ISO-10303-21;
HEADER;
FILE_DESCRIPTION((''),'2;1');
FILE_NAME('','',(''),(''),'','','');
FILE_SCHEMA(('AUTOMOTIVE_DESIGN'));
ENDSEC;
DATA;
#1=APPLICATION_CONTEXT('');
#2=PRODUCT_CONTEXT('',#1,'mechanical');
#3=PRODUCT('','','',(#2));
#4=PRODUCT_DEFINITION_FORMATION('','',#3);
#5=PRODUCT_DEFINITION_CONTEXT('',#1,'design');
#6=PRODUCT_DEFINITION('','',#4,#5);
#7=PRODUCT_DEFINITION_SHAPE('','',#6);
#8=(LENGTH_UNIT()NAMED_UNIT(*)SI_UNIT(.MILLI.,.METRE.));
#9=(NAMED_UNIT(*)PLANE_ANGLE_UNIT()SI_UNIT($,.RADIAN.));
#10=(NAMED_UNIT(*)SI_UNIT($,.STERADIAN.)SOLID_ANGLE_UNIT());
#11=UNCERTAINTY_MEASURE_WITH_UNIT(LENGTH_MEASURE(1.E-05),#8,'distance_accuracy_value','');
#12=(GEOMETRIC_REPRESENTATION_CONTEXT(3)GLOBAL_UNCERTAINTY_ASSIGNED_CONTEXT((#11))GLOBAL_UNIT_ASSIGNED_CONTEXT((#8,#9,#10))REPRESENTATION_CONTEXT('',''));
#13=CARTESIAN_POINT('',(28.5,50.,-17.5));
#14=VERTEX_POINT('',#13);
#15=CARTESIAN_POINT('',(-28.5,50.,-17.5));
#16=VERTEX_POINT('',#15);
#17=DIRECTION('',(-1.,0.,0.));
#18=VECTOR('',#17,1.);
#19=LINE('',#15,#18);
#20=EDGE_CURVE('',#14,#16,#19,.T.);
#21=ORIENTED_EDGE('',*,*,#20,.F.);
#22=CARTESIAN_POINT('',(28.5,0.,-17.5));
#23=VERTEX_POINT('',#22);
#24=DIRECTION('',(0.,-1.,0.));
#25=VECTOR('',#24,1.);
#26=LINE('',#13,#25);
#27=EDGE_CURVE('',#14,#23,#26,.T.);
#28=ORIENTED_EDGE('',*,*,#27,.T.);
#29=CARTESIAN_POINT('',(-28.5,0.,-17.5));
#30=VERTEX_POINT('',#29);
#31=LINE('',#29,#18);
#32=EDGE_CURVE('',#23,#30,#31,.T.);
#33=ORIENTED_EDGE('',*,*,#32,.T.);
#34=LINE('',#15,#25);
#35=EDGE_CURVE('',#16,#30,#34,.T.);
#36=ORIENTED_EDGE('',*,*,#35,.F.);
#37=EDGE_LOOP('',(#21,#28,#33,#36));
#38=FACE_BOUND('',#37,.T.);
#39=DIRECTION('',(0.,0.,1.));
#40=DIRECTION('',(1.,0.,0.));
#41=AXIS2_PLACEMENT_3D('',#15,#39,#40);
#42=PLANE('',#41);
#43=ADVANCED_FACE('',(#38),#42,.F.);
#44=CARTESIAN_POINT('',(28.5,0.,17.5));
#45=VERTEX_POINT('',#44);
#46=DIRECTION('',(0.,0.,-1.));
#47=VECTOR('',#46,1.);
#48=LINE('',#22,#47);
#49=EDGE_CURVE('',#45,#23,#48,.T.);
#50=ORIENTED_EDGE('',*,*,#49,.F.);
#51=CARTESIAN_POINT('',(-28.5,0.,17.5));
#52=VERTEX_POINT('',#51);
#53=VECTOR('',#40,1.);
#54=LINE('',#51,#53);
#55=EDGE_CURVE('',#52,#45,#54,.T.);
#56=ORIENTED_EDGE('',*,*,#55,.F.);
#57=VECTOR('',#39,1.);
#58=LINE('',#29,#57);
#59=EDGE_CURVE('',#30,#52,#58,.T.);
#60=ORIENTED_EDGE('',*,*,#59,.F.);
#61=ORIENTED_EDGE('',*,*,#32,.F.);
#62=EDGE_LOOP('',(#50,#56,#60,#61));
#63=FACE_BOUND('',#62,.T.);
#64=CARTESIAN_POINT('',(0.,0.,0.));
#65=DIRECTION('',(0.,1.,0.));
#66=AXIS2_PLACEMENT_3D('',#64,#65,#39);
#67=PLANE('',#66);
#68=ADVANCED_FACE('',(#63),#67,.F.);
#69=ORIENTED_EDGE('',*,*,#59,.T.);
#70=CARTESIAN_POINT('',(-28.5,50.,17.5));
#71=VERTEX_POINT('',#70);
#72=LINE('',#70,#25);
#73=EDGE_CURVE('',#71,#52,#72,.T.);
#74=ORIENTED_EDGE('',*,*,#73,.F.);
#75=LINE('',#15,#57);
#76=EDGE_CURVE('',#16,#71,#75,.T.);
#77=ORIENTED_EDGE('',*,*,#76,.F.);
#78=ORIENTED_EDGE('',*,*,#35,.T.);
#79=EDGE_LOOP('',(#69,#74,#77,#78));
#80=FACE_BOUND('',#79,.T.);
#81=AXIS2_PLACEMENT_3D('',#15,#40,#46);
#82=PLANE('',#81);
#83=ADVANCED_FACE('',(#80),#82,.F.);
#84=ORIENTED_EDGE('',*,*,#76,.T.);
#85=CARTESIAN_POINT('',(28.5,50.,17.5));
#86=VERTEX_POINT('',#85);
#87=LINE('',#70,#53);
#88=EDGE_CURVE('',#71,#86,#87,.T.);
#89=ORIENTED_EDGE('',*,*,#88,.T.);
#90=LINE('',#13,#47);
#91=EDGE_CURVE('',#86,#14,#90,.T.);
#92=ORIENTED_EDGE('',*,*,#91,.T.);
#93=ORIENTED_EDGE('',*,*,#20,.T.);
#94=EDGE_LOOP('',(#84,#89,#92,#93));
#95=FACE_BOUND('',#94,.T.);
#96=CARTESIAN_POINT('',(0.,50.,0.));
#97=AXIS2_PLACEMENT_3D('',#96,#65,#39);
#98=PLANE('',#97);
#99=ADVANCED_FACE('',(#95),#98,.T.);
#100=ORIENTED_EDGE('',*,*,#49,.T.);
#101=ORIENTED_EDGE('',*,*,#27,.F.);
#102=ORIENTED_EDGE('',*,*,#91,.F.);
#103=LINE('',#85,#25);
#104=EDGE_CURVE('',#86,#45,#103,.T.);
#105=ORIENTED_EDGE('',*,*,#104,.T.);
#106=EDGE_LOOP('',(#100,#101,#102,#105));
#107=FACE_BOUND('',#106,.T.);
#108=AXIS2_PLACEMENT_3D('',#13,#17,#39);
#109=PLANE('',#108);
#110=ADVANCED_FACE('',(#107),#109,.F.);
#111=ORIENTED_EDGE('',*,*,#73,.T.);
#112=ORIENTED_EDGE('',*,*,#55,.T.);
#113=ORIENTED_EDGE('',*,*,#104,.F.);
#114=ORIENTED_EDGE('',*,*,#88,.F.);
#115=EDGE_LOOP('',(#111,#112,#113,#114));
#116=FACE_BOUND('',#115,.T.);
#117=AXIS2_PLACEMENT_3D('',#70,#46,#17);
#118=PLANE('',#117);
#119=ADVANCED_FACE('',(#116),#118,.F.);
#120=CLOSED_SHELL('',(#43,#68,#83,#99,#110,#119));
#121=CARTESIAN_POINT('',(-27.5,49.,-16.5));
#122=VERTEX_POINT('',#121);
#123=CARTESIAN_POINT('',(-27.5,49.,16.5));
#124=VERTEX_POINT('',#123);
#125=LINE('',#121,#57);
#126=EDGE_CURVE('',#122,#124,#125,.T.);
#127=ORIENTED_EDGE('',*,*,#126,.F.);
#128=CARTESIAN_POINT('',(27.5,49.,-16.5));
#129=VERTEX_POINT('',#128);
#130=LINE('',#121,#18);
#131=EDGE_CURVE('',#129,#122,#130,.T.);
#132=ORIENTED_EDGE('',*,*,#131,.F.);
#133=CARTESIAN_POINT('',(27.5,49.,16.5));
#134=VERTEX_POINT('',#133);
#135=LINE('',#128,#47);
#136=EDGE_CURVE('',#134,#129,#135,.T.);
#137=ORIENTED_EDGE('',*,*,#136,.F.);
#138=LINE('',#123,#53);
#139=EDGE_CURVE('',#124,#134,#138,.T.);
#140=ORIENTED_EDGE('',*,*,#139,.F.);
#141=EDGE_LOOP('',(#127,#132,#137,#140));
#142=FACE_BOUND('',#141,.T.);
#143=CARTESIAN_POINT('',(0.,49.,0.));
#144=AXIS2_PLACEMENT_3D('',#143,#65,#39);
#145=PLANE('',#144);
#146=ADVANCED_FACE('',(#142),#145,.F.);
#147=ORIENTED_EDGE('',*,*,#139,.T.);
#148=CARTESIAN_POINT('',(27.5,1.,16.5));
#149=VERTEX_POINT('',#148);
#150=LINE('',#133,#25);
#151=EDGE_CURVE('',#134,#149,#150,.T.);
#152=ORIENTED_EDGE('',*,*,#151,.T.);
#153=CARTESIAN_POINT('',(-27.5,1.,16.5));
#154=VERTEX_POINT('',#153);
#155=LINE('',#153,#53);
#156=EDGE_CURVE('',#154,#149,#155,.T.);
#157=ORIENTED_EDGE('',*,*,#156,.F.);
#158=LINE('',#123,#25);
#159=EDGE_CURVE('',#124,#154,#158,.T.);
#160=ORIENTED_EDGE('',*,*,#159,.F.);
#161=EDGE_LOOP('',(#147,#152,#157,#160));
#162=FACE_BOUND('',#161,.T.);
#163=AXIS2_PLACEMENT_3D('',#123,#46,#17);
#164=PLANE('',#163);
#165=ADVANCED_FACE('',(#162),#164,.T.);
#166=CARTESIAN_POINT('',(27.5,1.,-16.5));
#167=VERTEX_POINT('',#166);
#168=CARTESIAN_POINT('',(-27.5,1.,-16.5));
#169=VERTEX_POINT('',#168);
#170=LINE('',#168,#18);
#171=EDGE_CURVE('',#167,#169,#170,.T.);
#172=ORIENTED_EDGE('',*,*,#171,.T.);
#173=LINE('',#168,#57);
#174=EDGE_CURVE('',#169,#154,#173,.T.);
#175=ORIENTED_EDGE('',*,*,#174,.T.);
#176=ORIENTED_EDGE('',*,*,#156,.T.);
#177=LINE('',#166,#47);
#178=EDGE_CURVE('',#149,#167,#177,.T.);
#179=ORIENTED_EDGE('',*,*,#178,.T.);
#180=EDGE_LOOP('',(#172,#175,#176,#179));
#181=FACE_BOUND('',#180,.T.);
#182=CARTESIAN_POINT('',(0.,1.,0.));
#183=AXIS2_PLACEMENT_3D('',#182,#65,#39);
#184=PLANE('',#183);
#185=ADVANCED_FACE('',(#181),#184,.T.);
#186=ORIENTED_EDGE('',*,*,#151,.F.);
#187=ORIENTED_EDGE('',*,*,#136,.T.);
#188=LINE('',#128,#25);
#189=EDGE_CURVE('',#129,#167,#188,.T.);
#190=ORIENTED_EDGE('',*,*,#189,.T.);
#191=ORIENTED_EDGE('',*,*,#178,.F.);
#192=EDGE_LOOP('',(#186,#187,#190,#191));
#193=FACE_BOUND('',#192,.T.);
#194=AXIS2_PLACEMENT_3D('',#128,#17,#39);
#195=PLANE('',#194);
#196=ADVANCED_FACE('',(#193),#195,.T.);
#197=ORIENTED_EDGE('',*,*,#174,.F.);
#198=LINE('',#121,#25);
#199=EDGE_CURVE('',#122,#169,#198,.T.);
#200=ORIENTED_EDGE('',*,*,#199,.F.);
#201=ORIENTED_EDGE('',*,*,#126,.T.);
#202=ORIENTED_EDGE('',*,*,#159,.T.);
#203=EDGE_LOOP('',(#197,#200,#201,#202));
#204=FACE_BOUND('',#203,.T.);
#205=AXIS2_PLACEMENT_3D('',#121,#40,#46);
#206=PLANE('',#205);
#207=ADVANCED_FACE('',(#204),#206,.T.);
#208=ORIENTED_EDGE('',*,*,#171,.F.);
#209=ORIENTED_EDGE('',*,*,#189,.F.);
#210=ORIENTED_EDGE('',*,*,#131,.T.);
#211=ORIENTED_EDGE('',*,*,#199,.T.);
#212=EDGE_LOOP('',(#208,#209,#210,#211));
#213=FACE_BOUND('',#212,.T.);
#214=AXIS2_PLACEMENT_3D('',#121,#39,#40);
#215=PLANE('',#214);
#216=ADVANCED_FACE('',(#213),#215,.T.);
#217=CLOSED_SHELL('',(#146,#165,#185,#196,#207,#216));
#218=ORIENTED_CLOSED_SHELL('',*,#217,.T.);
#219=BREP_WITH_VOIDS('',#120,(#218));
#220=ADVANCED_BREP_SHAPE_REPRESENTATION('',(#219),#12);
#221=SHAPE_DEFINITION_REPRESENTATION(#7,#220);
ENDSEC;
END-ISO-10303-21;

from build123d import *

# Parameters (mm, degrees)
SKETCH1_W           = 57
SKETCH1_H           = 35
BOSS_EXTRUDE1_DEPTH = 50
SKETCH3_W           = 55
SKETCH3_H           = 33
CUT_EXTRUDE1_DEPTH  = 48


with BuildPart() as part:
    # Sketch1 → Boss-Extrude1 (new body)
    with BuildSketch(Plane(origin=(0, 0, 0), x_dir=(1, 0, 0), z_dir=(0, 1, 0))):
        Rectangle(SKETCH1_W, SKETCH1_H)
    extrude(amount=BOSS_EXTRUDE1_DEPTH)

    # Sketch3 → Cut-Extrude1 (cut)
    with BuildSketch(Plane(origin=(0, 1, 0), x_dir=(1, 0, 0), z_dir=(0, 1, 0))):
        Rectangle(SKETCH3_W, SKETCH3_H)
    extrude(amount=CUT_EXTRUDE1_DEPTH, mode=Mode.SUBTRACT)


solid = part.part
